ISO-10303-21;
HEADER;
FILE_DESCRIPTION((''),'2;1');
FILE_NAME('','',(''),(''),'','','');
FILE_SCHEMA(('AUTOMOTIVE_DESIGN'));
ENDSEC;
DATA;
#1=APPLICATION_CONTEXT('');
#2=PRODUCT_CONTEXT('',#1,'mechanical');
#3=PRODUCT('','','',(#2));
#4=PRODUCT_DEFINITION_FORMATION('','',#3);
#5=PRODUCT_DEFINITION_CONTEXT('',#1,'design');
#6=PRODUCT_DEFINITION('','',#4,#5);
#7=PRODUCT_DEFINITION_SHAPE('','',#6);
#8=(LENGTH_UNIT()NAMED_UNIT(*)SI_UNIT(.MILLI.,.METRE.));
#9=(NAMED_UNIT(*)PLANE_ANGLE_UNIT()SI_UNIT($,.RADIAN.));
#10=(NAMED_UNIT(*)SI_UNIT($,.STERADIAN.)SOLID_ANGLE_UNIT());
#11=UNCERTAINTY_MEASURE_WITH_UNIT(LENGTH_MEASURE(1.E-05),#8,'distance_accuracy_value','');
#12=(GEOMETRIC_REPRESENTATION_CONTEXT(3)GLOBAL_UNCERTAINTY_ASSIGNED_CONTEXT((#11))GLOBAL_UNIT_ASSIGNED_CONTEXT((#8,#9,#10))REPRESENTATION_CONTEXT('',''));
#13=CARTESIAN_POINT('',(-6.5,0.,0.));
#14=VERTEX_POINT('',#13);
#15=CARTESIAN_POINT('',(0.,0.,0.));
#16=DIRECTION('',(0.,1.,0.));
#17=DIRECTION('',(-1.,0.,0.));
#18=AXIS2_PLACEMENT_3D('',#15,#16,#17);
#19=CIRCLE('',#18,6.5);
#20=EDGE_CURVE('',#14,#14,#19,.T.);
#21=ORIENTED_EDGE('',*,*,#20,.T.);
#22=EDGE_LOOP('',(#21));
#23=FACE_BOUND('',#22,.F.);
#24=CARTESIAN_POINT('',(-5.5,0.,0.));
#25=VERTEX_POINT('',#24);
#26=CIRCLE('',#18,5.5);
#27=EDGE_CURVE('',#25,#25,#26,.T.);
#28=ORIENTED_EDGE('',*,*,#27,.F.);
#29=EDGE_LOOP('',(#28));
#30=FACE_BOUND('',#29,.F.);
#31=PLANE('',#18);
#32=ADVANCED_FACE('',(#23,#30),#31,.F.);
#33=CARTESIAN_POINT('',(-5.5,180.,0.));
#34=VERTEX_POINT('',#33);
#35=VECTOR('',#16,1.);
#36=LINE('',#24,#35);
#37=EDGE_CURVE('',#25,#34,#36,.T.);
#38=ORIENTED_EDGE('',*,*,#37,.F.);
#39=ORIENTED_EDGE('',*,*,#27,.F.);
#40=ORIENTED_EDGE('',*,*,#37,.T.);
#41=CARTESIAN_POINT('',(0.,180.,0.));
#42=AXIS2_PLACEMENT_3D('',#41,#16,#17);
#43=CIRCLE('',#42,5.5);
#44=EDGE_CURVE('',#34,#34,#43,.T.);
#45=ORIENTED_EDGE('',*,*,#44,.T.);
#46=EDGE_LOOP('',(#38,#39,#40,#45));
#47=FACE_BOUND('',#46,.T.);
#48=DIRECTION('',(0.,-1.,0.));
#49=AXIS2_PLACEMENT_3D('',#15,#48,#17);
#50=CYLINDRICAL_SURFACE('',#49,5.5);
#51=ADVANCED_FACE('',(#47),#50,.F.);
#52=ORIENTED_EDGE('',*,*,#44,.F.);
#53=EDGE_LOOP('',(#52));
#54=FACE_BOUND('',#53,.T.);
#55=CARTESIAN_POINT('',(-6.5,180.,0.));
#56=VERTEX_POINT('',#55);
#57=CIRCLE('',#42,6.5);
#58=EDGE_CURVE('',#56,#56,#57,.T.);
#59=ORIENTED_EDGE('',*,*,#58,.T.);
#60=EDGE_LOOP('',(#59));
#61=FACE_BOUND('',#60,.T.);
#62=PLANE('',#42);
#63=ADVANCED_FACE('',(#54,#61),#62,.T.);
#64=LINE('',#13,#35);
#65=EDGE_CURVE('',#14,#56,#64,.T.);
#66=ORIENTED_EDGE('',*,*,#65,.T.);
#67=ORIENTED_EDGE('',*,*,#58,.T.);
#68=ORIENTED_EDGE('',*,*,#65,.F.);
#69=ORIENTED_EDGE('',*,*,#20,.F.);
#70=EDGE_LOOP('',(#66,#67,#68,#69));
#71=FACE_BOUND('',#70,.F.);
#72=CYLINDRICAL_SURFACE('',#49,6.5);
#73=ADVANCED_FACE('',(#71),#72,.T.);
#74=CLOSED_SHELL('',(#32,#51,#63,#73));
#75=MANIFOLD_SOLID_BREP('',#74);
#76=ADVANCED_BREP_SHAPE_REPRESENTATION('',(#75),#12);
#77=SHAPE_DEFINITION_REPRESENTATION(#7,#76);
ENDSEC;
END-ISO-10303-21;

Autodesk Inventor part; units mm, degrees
ref_plane "YZ Plane" through (0, 0, 0) normal (1, 0, 0) x (0, 1, 0)
ref_plane "XZ Plane" through (0, 0, 0) normal (0, 1, 0) x (-1, 0, 0)
ref_plane "XY Plane" through (0, 0, 0) normal (0, 0, 1) x (1, 0, 0)
sketch "Sketch1" plane through (0, 0, 0) normal (0, 1, 0) x (-1, 0, 0)
  circle A0 centre (0, 0) radius 6.5
  circle A1 centre (0, 0) radius 5.5
  dimension "d0" = 13
  dimension "d1" = 1
extrude "Extrusion1" add sketch "Sketch1" along normal blind 180
properties part number "AlumTube"
